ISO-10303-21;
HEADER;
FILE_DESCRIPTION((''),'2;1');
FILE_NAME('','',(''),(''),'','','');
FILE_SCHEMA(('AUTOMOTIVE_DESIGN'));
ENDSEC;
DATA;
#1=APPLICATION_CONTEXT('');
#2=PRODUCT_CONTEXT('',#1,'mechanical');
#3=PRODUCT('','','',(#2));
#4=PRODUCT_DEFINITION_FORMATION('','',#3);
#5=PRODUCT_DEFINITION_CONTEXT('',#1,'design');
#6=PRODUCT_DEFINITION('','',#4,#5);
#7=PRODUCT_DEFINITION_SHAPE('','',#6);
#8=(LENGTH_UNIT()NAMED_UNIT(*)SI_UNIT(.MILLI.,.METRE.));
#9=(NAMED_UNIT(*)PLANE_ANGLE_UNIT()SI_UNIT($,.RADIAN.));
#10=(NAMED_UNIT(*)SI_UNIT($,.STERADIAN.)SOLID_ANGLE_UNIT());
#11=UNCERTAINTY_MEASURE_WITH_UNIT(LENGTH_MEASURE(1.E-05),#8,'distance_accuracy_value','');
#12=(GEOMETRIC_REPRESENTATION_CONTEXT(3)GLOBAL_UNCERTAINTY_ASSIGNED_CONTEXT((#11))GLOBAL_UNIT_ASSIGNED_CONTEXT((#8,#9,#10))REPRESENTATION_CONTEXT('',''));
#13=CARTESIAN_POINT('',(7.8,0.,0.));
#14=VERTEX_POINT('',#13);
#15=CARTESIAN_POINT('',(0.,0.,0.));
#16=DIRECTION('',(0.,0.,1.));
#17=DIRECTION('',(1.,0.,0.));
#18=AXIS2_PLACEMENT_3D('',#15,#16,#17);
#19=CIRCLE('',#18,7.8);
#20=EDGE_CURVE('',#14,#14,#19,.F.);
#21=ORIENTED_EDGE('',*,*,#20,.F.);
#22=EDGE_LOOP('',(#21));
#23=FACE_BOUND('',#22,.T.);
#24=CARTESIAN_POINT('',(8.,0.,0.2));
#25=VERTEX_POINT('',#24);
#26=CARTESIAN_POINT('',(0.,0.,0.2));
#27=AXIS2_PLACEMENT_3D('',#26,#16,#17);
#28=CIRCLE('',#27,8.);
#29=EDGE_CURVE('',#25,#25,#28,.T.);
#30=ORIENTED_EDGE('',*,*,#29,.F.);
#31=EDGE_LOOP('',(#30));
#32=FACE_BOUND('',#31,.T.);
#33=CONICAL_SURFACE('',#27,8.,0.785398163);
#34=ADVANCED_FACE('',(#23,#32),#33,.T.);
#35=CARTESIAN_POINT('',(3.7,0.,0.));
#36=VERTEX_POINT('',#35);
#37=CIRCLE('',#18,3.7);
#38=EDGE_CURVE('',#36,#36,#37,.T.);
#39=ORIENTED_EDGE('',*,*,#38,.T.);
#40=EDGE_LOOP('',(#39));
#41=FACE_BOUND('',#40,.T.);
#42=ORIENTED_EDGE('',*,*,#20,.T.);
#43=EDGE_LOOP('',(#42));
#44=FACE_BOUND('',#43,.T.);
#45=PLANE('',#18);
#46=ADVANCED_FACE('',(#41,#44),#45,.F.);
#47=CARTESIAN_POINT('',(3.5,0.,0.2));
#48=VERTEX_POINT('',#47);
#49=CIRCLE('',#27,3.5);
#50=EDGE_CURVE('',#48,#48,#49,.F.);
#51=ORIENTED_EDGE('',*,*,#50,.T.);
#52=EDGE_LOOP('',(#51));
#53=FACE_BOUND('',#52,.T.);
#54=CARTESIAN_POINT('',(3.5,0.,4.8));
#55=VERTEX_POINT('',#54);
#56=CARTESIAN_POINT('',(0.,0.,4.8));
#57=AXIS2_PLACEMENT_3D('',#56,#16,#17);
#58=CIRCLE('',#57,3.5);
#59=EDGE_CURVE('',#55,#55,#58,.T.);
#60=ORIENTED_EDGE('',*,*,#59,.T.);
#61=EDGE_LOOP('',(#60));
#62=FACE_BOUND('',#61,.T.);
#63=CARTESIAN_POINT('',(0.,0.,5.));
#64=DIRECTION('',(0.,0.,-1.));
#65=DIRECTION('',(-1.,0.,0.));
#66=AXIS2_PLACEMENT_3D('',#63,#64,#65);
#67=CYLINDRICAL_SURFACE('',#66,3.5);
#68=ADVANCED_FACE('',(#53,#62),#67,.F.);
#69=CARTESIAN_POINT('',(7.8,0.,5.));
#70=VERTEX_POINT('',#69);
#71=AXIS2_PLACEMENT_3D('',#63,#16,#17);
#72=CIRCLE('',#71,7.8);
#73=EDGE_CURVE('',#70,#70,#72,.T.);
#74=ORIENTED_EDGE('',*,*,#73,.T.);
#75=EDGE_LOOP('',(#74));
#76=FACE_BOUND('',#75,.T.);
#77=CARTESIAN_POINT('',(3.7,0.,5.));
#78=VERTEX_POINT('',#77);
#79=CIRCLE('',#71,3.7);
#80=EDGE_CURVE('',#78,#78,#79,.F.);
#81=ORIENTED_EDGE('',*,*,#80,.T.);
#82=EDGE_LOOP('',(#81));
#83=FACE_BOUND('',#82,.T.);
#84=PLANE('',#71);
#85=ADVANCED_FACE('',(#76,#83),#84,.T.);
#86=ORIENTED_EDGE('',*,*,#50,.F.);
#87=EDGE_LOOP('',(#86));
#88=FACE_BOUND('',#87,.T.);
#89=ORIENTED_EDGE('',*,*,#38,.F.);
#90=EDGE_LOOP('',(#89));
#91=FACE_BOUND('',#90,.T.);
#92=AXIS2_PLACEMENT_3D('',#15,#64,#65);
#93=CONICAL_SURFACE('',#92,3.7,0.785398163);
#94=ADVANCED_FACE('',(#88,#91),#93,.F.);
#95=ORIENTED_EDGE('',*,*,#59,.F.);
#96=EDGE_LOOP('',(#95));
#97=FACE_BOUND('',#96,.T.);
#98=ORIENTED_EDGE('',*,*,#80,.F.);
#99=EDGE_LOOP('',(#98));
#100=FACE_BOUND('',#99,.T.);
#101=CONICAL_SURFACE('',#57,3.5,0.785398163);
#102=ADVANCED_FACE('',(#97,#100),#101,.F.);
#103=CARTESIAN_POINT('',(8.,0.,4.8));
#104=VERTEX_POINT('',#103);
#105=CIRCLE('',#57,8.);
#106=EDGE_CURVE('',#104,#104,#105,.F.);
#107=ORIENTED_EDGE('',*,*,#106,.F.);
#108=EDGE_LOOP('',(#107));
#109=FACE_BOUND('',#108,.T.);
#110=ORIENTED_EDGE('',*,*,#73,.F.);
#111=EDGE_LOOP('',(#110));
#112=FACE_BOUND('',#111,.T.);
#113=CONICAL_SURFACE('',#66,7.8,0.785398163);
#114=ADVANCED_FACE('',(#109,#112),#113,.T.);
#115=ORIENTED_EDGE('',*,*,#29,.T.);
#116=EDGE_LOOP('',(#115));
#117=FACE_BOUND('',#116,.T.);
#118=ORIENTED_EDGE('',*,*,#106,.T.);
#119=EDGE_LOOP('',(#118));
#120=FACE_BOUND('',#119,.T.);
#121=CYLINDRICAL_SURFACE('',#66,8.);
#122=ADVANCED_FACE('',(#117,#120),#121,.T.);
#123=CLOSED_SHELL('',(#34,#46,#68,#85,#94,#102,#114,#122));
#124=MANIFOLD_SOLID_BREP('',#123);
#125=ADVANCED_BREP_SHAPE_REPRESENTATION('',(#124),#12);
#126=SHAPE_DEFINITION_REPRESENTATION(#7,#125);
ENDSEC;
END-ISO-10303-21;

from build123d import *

# Parameters (mm, degrees)
ESQUISSE1_R          = 8
ESQUISSE1_R_2        = 3.5
BASE_EXTRUSION_DEPTH = 5
CHANFREIN1_SIZE      = 0.2


with BuildPart() as part:
    # Esquisse1 → Base-Extrusion (new body)
    with BuildSketch(Plane.XY):
        Circle(ESQUISSE1_R)
        Circle(ESQUISSE1_R_2, mode=Mode.SUBTRACT)
    extrude(amount=BASE_EXTRUSION_DEPTH)

    # Chanfrein1
    chanfrein1_edges = [part.edges().sort_by_distance(p)[0] for p in [
        (-8, 0, 0),
        (-8, 0, 5),
        (-3.5, 0, 0),
        (-3.5, 0, 5),
    ]]
    chamfer(chanfrein1_edges, length=CHANFREIN1_SIZE)


solid = part.part
